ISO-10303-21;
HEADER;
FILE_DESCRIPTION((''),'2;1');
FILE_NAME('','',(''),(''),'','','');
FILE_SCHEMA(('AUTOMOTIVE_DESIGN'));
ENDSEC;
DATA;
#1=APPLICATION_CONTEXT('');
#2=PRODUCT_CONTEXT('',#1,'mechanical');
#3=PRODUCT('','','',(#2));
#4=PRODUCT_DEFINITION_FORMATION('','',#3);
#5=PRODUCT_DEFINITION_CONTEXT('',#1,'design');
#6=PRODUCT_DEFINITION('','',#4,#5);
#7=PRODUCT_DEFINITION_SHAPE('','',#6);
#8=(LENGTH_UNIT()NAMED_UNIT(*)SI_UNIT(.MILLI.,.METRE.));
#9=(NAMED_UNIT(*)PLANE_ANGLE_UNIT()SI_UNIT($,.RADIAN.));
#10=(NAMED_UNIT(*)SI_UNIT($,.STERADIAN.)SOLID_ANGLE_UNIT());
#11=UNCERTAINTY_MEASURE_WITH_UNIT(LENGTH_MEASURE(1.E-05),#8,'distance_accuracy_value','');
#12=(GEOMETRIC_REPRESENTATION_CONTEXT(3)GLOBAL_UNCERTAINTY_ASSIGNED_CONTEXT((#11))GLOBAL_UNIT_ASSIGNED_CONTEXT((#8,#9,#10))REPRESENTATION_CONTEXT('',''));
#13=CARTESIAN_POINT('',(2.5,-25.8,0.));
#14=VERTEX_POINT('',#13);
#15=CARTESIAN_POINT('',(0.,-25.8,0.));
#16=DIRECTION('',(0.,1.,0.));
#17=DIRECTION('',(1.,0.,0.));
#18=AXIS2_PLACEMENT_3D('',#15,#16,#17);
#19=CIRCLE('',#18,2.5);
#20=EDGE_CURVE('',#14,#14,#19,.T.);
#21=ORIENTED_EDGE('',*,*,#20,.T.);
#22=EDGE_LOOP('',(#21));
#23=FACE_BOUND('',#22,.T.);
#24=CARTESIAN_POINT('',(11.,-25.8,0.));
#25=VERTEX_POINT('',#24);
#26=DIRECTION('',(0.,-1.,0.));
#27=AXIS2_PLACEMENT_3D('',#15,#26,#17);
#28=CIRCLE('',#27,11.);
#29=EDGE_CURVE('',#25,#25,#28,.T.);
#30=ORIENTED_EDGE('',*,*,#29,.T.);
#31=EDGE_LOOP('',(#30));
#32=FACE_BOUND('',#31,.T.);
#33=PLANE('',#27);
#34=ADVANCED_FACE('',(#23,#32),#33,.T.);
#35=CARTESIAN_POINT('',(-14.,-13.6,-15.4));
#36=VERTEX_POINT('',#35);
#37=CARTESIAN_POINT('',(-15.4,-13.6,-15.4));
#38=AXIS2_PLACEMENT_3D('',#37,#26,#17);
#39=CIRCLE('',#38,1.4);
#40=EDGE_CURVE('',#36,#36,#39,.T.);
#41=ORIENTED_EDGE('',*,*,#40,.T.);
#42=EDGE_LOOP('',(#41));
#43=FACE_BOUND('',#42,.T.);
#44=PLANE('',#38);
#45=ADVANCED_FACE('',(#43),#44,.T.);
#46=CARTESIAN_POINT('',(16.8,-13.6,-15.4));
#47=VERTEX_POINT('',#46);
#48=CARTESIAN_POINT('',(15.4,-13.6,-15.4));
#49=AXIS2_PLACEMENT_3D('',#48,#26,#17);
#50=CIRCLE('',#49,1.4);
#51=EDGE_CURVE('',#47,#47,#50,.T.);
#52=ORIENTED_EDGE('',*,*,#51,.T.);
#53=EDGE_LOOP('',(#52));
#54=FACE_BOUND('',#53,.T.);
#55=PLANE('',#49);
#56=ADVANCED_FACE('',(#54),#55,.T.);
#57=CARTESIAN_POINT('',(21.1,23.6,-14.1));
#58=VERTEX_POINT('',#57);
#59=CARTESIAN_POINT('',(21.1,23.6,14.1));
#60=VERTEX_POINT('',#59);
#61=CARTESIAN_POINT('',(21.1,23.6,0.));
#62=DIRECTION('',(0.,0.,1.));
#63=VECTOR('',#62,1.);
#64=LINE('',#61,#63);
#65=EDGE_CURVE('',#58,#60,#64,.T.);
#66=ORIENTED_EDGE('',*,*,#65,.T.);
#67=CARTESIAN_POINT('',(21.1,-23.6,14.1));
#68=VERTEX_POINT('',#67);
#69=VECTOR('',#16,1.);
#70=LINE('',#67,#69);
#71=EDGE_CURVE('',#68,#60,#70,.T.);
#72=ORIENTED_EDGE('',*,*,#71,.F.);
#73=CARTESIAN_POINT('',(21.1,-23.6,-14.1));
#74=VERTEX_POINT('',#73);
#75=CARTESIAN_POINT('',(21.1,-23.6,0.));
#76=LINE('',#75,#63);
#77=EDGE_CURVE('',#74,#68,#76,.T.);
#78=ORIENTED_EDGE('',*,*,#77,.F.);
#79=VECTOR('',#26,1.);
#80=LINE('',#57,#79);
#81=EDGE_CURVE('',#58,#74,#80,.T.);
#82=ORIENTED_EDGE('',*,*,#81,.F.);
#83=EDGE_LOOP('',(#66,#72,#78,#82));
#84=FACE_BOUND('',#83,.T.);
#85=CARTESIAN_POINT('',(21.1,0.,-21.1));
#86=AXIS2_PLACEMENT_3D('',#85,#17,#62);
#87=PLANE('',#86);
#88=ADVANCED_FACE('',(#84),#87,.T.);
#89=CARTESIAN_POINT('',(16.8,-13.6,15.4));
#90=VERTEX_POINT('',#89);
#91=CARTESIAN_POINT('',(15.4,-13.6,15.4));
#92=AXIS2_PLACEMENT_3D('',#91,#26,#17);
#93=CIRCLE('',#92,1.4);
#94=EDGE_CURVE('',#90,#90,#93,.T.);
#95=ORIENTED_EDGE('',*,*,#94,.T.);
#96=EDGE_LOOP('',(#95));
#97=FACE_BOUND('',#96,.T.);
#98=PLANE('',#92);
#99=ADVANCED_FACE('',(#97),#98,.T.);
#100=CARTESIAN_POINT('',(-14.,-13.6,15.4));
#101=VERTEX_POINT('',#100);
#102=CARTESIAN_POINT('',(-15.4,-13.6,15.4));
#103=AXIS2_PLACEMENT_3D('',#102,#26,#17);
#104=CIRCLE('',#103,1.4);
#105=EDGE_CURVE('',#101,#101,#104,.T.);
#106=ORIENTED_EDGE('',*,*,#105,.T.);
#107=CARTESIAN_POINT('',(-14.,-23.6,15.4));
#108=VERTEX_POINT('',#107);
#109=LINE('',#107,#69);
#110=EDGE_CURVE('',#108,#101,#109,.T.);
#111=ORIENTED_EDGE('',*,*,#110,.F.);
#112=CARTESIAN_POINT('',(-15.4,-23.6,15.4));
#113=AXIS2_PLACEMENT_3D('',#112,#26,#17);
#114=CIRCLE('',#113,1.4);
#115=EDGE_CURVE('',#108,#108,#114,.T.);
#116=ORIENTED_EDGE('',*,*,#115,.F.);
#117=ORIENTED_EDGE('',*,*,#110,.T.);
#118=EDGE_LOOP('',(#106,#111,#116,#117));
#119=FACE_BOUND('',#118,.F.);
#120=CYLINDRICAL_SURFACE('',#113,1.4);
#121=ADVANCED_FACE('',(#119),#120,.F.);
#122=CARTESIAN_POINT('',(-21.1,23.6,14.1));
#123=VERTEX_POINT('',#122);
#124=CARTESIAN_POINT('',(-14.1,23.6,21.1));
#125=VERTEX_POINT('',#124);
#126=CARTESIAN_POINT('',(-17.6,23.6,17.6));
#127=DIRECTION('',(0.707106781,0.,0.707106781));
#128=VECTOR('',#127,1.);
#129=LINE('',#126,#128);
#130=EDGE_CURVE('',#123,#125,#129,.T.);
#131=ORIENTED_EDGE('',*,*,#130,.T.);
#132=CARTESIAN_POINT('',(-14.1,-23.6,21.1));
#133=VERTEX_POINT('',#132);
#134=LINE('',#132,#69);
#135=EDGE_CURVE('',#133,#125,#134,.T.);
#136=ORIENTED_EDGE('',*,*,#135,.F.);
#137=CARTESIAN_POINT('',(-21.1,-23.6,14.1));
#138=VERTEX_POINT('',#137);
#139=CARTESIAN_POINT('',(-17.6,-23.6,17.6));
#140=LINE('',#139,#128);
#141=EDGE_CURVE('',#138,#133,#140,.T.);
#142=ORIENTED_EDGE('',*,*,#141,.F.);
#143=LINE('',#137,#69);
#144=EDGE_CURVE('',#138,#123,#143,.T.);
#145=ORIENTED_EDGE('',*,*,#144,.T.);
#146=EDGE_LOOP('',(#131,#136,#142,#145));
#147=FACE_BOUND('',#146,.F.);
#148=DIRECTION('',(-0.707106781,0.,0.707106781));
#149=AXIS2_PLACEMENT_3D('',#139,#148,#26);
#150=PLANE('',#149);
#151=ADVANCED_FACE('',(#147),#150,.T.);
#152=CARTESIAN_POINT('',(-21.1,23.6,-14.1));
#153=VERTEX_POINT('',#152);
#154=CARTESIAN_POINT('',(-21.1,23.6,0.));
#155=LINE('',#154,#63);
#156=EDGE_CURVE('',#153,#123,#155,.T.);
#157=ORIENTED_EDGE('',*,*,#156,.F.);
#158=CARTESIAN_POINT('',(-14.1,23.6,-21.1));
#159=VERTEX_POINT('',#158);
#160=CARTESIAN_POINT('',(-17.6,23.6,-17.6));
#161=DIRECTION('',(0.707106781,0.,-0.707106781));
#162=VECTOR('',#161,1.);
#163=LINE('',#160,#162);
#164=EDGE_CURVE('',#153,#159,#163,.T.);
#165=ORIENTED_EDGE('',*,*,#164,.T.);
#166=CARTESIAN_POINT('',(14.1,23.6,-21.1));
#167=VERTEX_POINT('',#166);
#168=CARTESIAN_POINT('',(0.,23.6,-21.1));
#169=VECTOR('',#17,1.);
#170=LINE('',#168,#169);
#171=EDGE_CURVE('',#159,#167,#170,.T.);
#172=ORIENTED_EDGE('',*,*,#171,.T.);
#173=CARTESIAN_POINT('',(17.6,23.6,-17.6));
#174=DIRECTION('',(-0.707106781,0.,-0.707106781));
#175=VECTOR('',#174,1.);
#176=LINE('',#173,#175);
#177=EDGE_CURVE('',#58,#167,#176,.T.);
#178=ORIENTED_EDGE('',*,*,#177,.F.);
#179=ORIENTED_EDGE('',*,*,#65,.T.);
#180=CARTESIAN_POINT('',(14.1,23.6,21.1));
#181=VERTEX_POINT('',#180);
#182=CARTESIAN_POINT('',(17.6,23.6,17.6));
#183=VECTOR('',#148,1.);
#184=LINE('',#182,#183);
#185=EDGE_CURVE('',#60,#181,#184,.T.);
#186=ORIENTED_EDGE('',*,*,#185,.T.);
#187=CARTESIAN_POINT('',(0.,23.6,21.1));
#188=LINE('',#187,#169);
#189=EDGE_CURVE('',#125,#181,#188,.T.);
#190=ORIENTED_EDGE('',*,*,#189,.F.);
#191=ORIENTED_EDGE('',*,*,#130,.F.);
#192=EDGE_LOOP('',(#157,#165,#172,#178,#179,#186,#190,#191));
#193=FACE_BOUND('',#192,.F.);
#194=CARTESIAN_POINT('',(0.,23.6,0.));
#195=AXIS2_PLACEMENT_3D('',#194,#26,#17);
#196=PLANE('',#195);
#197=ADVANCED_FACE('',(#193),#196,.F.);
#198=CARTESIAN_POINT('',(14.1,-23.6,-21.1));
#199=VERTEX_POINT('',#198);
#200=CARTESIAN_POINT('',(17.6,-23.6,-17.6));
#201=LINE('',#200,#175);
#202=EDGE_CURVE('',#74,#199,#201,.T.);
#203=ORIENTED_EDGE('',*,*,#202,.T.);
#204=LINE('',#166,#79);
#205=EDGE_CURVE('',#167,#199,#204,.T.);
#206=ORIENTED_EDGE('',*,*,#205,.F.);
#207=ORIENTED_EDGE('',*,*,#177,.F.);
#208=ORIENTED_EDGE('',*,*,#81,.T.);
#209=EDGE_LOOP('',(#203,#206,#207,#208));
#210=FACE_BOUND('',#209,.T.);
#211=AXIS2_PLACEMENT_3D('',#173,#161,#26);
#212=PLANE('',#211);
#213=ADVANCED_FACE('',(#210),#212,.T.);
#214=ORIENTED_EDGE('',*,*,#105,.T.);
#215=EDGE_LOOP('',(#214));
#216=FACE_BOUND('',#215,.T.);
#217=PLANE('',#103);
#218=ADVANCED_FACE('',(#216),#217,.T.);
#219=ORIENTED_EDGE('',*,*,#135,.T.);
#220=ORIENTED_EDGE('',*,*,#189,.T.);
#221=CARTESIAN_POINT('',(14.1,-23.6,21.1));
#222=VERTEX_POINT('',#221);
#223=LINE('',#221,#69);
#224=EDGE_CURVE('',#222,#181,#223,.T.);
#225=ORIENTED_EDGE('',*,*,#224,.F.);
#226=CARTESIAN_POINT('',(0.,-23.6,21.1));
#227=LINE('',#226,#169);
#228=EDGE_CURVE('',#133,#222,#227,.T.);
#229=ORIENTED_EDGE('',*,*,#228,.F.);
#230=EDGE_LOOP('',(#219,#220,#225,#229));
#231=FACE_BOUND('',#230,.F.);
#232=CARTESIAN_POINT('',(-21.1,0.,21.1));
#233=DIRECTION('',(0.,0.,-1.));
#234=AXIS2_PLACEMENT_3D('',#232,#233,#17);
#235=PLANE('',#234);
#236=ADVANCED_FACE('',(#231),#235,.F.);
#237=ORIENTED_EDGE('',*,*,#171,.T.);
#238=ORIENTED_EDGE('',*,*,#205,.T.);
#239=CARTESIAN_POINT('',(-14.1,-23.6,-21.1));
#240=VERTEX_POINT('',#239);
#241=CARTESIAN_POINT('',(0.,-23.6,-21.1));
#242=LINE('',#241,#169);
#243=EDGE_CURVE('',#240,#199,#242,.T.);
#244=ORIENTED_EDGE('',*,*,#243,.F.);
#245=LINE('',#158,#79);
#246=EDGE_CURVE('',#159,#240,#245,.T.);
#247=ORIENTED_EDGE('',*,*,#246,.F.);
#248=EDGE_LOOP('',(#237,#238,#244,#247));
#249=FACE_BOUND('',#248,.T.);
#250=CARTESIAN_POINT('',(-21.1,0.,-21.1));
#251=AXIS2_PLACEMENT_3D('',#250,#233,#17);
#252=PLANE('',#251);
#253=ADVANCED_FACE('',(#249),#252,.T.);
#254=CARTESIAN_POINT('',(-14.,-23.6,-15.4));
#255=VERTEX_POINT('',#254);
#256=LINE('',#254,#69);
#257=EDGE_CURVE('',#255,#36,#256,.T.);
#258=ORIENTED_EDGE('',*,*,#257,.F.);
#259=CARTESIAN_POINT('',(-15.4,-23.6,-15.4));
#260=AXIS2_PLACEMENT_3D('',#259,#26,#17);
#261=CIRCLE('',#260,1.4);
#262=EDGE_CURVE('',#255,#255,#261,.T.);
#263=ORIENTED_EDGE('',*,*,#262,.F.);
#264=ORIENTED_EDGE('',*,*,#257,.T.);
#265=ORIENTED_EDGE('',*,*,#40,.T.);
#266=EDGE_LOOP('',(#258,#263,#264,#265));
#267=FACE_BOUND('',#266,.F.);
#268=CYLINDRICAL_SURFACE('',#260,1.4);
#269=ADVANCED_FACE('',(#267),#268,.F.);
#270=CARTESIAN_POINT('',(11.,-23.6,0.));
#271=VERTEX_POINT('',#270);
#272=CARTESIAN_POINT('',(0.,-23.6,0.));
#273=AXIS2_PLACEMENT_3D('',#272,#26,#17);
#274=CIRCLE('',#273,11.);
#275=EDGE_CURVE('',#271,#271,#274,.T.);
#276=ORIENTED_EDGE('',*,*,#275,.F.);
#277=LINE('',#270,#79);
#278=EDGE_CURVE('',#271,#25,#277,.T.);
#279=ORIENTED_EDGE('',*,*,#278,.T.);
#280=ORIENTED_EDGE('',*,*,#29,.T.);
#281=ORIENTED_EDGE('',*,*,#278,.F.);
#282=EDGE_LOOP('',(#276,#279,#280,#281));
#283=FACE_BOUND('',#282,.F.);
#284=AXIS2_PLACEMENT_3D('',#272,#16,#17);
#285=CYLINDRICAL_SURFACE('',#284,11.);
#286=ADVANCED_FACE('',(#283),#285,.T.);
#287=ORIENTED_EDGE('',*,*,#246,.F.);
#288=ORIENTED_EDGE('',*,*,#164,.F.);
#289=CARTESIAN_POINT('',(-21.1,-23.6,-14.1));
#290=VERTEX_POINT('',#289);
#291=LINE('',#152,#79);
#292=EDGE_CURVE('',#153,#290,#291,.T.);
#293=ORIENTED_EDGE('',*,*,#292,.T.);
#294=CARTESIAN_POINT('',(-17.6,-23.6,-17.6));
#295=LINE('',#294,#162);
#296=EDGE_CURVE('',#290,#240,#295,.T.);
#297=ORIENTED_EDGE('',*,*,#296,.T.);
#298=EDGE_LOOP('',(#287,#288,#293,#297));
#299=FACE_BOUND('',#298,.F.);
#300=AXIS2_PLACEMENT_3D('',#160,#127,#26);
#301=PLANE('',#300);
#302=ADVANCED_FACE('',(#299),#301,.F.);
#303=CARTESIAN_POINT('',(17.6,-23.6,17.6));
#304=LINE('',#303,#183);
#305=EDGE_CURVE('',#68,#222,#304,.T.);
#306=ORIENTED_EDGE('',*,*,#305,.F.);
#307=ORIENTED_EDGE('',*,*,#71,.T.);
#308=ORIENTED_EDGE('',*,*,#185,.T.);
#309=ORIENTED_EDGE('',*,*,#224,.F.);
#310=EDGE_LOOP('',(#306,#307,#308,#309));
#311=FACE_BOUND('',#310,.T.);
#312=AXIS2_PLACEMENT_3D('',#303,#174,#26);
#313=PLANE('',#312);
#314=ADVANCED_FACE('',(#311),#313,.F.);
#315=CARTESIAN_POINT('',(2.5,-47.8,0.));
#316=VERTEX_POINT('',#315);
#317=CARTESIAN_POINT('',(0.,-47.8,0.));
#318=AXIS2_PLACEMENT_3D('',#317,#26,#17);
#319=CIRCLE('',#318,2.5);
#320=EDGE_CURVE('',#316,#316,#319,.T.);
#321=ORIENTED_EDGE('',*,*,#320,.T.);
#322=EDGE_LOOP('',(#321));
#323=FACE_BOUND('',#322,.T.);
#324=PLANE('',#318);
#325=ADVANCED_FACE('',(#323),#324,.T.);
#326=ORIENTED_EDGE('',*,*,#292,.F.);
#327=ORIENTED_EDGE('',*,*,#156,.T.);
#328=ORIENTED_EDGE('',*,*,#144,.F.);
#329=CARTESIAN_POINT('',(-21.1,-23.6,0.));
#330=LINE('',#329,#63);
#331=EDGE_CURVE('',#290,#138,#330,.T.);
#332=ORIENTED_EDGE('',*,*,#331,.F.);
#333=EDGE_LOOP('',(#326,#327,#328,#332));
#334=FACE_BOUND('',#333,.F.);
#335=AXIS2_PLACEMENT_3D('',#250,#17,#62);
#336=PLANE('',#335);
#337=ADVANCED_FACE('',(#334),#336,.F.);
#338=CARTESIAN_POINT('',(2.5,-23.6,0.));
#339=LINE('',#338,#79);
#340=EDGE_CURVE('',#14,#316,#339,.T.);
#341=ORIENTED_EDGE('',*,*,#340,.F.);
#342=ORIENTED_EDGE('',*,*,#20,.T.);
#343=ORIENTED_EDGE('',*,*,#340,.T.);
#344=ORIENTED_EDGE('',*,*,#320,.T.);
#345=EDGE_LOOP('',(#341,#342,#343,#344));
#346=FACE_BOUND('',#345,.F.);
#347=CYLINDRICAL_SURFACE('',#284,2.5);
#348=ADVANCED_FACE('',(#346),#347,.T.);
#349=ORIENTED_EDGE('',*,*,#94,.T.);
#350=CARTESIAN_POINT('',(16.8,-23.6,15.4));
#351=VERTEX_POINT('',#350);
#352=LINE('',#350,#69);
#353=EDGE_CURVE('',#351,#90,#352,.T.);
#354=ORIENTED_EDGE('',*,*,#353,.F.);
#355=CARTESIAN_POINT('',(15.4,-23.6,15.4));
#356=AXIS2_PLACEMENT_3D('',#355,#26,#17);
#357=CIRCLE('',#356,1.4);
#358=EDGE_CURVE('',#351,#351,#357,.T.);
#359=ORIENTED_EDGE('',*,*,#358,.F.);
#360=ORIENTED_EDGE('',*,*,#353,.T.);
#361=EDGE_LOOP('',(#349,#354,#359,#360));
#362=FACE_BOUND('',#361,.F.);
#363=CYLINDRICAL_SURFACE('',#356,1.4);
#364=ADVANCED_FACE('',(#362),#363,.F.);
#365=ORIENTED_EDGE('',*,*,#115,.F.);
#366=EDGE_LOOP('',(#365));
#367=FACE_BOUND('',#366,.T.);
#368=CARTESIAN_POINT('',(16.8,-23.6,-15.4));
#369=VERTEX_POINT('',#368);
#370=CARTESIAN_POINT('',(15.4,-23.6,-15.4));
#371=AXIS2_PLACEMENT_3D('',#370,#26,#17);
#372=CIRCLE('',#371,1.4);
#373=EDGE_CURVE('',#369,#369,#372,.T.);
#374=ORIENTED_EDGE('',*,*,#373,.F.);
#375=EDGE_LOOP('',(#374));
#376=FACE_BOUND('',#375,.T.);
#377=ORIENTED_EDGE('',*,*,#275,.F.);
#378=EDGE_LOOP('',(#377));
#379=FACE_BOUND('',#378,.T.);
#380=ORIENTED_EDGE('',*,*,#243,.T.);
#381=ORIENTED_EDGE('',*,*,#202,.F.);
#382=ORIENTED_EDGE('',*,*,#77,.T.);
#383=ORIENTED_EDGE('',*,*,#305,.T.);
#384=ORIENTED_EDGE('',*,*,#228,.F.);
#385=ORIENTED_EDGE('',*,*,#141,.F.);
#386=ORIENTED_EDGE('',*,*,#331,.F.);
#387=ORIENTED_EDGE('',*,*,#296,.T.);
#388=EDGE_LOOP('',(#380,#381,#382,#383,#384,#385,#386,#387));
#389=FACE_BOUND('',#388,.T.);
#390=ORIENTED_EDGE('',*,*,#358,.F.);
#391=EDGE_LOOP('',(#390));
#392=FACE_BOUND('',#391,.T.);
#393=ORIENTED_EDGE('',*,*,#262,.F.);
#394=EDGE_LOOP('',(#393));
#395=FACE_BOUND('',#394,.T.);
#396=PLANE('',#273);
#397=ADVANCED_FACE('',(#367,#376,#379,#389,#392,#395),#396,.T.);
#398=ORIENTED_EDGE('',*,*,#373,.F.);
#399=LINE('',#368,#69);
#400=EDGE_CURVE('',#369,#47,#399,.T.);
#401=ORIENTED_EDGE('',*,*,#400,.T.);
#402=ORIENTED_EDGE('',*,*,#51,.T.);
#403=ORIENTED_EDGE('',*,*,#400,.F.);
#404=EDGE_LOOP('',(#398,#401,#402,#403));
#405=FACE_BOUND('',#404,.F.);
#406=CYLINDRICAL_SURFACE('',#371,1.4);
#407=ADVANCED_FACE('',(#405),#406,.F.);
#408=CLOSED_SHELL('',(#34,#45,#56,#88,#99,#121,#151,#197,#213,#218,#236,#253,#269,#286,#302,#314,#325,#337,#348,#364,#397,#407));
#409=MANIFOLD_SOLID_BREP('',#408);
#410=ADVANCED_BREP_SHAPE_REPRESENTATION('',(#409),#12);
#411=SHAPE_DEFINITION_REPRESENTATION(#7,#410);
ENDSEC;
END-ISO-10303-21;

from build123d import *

# Parameters (mm, degrees)
F0_W     = 42.2
F0_H     = 42.2
F1_DEPTH = 23.6
F2_SIZE  = 7
F3_R     = 2.5
F4_DEPTH = 24.2
F5_R     = 11
F6_DEPTH = 2.2
F7_R     = 1.4
F8_DEPTH = 10


with BuildPart() as f1:
    # F0 (on Front) → F1 (new body, symmetric)
    with BuildSketch(Plane.XZ):
        Rectangle(F0_W, F0_H)
    extrude(amount=F1_DEPTH, both=True)

    # F2
    f2_edges = [f1.edges().sort_by_distance(p)[0] for p in [
        (21.1, 0, 21.1),
        (-21.1, 0, 21.1),
        (21.1, 0, -21.1),
        (-21.1, 0, -21.1),
    ]]
    chamfer(f2_edges, length=F2_SIZE)

    # F3 (on face) → F4 (join)
    with BuildSketch(Plane.XZ.offset(23.6)):
        Circle(F3_R)
    extrude(amount=F4_DEPTH)

    # F5 (on face) → F6 (join)
    with BuildSketch(Plane.XZ.offset(23.6)):
        Circle(F5_R)
    extrude(amount=F6_DEPTH)

    # F7 (on face) → F8 (cut)
    with BuildSketch(Plane.XZ.offset(23.6)):
        with Locations((-15.4, -15.4)):
            Circle(F7_R)
        with Locations((-15.4, 15.4)):
            Circle(F7_R)
        with Locations((15.4, -15.4)):
            Circle(F7_R)
        with Locations((15.4, 15.4)):
            Circle(F7_R)
    extrude(amount=-F8_DEPTH, mode=Mode.SUBTRACT)


solid = f1.part
